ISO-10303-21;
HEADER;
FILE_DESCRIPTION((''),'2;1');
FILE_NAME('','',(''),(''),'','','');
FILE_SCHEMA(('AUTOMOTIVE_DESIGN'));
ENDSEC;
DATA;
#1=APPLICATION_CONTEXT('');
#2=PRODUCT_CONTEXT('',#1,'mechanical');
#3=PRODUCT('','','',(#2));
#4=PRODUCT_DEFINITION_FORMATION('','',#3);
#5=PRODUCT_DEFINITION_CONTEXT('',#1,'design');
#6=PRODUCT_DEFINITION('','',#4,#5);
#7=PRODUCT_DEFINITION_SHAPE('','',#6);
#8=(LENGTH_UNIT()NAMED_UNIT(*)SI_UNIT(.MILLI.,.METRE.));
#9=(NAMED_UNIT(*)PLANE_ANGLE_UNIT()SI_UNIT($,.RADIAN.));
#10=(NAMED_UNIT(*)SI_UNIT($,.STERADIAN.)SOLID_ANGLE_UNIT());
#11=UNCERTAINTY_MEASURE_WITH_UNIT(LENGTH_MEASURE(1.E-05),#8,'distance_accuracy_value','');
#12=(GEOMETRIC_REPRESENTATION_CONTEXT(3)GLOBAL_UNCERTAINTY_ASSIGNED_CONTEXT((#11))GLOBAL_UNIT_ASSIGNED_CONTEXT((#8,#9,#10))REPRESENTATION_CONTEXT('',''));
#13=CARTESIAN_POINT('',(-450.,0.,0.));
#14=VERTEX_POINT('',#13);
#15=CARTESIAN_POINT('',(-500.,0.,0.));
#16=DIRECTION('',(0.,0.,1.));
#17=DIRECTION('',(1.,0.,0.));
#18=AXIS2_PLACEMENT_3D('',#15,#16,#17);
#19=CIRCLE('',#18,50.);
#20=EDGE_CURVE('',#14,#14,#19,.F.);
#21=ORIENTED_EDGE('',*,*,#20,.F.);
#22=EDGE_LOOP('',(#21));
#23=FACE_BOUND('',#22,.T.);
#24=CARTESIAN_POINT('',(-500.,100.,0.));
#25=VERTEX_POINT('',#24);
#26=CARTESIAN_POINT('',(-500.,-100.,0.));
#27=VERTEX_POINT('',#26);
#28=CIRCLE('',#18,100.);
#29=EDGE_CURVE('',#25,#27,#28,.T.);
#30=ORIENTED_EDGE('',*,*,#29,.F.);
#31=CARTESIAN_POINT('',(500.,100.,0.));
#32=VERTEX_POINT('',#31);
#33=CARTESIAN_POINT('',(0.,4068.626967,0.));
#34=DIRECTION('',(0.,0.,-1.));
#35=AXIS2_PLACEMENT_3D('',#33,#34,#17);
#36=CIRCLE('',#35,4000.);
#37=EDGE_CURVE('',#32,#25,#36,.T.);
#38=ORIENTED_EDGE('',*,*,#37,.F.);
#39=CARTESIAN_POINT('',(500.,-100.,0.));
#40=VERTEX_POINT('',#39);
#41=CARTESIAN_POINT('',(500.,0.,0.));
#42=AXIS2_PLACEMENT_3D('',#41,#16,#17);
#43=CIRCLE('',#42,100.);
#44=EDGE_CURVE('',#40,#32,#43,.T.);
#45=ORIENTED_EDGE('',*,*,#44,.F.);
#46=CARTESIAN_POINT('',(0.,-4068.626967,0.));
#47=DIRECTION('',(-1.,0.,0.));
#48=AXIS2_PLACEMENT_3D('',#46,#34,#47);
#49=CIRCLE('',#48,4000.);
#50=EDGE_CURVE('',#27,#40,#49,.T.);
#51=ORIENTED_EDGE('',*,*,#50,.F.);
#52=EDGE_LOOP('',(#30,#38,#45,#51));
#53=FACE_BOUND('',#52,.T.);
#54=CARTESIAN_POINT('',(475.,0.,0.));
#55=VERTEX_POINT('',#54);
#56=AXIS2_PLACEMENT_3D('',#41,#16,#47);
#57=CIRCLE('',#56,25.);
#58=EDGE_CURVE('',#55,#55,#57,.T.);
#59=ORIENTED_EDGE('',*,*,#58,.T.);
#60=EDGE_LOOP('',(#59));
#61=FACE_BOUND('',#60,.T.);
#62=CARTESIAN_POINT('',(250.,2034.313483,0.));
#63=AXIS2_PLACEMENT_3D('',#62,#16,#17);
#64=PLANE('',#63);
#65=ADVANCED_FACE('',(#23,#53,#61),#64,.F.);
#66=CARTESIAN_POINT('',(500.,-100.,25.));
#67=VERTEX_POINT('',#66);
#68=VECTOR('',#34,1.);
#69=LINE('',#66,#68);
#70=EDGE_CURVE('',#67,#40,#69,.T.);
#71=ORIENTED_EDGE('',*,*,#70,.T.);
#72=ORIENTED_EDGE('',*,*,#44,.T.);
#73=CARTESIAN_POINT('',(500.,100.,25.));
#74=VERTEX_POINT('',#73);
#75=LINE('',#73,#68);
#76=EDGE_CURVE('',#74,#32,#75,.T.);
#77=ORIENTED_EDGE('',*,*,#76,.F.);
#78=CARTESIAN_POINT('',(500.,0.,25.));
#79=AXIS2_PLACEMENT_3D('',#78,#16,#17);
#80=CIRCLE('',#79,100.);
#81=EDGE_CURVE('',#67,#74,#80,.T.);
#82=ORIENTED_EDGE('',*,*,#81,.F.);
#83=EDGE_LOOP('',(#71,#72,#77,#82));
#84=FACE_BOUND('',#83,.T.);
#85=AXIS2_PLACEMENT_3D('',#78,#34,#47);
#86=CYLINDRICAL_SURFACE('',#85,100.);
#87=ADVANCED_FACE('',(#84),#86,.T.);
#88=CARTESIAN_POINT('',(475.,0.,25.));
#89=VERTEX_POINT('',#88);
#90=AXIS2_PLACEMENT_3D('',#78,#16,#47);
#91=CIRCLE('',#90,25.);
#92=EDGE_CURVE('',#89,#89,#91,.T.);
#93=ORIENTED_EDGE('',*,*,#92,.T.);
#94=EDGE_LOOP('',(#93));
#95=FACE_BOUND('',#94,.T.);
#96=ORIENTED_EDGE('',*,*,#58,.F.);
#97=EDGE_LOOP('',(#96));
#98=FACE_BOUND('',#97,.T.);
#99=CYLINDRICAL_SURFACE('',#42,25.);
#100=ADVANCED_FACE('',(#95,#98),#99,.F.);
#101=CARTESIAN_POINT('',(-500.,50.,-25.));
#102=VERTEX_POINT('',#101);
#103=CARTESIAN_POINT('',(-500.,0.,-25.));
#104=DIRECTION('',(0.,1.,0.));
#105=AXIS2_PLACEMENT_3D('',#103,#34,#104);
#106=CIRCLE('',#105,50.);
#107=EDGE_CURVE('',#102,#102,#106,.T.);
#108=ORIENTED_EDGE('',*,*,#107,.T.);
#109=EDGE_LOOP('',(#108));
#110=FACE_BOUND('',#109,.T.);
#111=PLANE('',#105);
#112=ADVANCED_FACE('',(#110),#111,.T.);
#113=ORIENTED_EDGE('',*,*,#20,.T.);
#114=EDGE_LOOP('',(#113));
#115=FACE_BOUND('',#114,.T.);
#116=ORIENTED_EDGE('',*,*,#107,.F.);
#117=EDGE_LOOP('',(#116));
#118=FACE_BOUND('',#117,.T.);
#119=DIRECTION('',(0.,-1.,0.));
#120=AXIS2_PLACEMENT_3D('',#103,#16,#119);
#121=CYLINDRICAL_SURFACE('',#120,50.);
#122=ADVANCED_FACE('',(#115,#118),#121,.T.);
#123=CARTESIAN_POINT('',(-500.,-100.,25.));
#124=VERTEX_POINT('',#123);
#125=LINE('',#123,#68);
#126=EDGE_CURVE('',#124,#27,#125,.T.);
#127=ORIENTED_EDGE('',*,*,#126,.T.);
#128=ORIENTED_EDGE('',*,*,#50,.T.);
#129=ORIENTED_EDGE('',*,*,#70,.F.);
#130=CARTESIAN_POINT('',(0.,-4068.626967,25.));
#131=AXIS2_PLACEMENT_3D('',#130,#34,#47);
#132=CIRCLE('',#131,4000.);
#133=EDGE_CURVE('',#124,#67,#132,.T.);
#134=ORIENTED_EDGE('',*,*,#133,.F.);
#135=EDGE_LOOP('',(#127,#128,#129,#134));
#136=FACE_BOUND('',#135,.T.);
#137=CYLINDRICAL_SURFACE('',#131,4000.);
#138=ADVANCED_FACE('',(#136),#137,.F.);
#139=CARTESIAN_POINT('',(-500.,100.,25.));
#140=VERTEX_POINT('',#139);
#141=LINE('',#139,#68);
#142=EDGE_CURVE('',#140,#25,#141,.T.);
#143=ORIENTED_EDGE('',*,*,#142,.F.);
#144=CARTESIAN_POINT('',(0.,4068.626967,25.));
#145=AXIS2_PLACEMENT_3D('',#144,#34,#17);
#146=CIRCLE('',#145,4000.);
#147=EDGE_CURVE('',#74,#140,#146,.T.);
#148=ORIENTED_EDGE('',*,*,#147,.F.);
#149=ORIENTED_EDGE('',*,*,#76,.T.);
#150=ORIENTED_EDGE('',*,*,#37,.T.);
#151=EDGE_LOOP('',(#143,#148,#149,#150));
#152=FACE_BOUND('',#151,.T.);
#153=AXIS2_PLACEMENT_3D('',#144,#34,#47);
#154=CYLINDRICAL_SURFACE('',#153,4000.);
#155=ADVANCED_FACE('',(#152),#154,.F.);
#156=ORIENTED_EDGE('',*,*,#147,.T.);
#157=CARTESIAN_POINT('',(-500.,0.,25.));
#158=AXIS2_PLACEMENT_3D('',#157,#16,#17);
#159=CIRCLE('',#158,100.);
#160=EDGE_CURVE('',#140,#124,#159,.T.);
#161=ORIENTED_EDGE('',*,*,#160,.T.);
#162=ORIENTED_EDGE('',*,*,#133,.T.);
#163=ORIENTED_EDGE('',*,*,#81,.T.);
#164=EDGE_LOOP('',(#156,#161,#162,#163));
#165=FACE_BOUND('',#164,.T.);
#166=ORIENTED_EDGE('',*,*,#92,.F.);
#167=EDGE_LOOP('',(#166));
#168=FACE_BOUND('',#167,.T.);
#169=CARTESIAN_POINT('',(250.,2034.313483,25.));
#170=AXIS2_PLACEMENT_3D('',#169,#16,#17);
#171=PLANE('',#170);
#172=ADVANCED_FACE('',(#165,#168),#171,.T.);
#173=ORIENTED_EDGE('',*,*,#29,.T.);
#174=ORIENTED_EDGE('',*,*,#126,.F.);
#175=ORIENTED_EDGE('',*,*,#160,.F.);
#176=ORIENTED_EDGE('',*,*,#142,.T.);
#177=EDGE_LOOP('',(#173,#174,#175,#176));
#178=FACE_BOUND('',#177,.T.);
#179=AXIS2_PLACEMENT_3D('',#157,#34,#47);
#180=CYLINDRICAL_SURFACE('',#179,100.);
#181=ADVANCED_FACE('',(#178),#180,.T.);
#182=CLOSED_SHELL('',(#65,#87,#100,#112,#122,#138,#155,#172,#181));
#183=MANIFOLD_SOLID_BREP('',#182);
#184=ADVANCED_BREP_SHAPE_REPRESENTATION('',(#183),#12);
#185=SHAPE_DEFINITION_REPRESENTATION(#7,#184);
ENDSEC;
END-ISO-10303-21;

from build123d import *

# Parameters (mm, degrees)
BOSS_EXTRUDE1_DEPTH = 25
SKETCH2_R           = 50
BOSS_EXTRUDE2_DEPTH = 25
SKETCH3_R           = 25
CUT_EXTRUDE2_DEPTH  = 25


with BuildPart() as part:
    # Sketch1 → Boss-Extrude1 (new body)
    with BuildSketch(Plane.XY):
        with BuildLine():
            ThreePointArc((-500, 100), (-600, 0), (-500, -100))
            ThreePointArc((-500, -100), (0, -68.626966597), (500, -100))
            ThreePointArc((500, -100), (600, 0), (500, 100))
            ThreePointArc((500, 100), (0, 68.626966597), (-500, 100))
        make_face()
    extrude(amount=BOSS_EXTRUDE1_DEPTH)

    # Sketch2 → Boss-Extrude2 (add)
    with BuildSketch(Plane(origin=(0, 0, 0), x_dir=(1, 0, 0), z_dir=(0, 0, -1))):
        with Locations((-500, 0)):
            Circle(SKETCH2_R)
    extrude(amount=BOSS_EXTRUDE2_DEPTH)

    # Sketch3 → Cut-Extrude2 (cut)
    with BuildSketch(Plane.XY.offset(25)):
        with Locations((500, 0)):
            Circle(SKETCH3_R)
    extrude(amount=-CUT_EXTRUDE2_DEPTH, mode=Mode.SUBTRACT)


solid = part.part
